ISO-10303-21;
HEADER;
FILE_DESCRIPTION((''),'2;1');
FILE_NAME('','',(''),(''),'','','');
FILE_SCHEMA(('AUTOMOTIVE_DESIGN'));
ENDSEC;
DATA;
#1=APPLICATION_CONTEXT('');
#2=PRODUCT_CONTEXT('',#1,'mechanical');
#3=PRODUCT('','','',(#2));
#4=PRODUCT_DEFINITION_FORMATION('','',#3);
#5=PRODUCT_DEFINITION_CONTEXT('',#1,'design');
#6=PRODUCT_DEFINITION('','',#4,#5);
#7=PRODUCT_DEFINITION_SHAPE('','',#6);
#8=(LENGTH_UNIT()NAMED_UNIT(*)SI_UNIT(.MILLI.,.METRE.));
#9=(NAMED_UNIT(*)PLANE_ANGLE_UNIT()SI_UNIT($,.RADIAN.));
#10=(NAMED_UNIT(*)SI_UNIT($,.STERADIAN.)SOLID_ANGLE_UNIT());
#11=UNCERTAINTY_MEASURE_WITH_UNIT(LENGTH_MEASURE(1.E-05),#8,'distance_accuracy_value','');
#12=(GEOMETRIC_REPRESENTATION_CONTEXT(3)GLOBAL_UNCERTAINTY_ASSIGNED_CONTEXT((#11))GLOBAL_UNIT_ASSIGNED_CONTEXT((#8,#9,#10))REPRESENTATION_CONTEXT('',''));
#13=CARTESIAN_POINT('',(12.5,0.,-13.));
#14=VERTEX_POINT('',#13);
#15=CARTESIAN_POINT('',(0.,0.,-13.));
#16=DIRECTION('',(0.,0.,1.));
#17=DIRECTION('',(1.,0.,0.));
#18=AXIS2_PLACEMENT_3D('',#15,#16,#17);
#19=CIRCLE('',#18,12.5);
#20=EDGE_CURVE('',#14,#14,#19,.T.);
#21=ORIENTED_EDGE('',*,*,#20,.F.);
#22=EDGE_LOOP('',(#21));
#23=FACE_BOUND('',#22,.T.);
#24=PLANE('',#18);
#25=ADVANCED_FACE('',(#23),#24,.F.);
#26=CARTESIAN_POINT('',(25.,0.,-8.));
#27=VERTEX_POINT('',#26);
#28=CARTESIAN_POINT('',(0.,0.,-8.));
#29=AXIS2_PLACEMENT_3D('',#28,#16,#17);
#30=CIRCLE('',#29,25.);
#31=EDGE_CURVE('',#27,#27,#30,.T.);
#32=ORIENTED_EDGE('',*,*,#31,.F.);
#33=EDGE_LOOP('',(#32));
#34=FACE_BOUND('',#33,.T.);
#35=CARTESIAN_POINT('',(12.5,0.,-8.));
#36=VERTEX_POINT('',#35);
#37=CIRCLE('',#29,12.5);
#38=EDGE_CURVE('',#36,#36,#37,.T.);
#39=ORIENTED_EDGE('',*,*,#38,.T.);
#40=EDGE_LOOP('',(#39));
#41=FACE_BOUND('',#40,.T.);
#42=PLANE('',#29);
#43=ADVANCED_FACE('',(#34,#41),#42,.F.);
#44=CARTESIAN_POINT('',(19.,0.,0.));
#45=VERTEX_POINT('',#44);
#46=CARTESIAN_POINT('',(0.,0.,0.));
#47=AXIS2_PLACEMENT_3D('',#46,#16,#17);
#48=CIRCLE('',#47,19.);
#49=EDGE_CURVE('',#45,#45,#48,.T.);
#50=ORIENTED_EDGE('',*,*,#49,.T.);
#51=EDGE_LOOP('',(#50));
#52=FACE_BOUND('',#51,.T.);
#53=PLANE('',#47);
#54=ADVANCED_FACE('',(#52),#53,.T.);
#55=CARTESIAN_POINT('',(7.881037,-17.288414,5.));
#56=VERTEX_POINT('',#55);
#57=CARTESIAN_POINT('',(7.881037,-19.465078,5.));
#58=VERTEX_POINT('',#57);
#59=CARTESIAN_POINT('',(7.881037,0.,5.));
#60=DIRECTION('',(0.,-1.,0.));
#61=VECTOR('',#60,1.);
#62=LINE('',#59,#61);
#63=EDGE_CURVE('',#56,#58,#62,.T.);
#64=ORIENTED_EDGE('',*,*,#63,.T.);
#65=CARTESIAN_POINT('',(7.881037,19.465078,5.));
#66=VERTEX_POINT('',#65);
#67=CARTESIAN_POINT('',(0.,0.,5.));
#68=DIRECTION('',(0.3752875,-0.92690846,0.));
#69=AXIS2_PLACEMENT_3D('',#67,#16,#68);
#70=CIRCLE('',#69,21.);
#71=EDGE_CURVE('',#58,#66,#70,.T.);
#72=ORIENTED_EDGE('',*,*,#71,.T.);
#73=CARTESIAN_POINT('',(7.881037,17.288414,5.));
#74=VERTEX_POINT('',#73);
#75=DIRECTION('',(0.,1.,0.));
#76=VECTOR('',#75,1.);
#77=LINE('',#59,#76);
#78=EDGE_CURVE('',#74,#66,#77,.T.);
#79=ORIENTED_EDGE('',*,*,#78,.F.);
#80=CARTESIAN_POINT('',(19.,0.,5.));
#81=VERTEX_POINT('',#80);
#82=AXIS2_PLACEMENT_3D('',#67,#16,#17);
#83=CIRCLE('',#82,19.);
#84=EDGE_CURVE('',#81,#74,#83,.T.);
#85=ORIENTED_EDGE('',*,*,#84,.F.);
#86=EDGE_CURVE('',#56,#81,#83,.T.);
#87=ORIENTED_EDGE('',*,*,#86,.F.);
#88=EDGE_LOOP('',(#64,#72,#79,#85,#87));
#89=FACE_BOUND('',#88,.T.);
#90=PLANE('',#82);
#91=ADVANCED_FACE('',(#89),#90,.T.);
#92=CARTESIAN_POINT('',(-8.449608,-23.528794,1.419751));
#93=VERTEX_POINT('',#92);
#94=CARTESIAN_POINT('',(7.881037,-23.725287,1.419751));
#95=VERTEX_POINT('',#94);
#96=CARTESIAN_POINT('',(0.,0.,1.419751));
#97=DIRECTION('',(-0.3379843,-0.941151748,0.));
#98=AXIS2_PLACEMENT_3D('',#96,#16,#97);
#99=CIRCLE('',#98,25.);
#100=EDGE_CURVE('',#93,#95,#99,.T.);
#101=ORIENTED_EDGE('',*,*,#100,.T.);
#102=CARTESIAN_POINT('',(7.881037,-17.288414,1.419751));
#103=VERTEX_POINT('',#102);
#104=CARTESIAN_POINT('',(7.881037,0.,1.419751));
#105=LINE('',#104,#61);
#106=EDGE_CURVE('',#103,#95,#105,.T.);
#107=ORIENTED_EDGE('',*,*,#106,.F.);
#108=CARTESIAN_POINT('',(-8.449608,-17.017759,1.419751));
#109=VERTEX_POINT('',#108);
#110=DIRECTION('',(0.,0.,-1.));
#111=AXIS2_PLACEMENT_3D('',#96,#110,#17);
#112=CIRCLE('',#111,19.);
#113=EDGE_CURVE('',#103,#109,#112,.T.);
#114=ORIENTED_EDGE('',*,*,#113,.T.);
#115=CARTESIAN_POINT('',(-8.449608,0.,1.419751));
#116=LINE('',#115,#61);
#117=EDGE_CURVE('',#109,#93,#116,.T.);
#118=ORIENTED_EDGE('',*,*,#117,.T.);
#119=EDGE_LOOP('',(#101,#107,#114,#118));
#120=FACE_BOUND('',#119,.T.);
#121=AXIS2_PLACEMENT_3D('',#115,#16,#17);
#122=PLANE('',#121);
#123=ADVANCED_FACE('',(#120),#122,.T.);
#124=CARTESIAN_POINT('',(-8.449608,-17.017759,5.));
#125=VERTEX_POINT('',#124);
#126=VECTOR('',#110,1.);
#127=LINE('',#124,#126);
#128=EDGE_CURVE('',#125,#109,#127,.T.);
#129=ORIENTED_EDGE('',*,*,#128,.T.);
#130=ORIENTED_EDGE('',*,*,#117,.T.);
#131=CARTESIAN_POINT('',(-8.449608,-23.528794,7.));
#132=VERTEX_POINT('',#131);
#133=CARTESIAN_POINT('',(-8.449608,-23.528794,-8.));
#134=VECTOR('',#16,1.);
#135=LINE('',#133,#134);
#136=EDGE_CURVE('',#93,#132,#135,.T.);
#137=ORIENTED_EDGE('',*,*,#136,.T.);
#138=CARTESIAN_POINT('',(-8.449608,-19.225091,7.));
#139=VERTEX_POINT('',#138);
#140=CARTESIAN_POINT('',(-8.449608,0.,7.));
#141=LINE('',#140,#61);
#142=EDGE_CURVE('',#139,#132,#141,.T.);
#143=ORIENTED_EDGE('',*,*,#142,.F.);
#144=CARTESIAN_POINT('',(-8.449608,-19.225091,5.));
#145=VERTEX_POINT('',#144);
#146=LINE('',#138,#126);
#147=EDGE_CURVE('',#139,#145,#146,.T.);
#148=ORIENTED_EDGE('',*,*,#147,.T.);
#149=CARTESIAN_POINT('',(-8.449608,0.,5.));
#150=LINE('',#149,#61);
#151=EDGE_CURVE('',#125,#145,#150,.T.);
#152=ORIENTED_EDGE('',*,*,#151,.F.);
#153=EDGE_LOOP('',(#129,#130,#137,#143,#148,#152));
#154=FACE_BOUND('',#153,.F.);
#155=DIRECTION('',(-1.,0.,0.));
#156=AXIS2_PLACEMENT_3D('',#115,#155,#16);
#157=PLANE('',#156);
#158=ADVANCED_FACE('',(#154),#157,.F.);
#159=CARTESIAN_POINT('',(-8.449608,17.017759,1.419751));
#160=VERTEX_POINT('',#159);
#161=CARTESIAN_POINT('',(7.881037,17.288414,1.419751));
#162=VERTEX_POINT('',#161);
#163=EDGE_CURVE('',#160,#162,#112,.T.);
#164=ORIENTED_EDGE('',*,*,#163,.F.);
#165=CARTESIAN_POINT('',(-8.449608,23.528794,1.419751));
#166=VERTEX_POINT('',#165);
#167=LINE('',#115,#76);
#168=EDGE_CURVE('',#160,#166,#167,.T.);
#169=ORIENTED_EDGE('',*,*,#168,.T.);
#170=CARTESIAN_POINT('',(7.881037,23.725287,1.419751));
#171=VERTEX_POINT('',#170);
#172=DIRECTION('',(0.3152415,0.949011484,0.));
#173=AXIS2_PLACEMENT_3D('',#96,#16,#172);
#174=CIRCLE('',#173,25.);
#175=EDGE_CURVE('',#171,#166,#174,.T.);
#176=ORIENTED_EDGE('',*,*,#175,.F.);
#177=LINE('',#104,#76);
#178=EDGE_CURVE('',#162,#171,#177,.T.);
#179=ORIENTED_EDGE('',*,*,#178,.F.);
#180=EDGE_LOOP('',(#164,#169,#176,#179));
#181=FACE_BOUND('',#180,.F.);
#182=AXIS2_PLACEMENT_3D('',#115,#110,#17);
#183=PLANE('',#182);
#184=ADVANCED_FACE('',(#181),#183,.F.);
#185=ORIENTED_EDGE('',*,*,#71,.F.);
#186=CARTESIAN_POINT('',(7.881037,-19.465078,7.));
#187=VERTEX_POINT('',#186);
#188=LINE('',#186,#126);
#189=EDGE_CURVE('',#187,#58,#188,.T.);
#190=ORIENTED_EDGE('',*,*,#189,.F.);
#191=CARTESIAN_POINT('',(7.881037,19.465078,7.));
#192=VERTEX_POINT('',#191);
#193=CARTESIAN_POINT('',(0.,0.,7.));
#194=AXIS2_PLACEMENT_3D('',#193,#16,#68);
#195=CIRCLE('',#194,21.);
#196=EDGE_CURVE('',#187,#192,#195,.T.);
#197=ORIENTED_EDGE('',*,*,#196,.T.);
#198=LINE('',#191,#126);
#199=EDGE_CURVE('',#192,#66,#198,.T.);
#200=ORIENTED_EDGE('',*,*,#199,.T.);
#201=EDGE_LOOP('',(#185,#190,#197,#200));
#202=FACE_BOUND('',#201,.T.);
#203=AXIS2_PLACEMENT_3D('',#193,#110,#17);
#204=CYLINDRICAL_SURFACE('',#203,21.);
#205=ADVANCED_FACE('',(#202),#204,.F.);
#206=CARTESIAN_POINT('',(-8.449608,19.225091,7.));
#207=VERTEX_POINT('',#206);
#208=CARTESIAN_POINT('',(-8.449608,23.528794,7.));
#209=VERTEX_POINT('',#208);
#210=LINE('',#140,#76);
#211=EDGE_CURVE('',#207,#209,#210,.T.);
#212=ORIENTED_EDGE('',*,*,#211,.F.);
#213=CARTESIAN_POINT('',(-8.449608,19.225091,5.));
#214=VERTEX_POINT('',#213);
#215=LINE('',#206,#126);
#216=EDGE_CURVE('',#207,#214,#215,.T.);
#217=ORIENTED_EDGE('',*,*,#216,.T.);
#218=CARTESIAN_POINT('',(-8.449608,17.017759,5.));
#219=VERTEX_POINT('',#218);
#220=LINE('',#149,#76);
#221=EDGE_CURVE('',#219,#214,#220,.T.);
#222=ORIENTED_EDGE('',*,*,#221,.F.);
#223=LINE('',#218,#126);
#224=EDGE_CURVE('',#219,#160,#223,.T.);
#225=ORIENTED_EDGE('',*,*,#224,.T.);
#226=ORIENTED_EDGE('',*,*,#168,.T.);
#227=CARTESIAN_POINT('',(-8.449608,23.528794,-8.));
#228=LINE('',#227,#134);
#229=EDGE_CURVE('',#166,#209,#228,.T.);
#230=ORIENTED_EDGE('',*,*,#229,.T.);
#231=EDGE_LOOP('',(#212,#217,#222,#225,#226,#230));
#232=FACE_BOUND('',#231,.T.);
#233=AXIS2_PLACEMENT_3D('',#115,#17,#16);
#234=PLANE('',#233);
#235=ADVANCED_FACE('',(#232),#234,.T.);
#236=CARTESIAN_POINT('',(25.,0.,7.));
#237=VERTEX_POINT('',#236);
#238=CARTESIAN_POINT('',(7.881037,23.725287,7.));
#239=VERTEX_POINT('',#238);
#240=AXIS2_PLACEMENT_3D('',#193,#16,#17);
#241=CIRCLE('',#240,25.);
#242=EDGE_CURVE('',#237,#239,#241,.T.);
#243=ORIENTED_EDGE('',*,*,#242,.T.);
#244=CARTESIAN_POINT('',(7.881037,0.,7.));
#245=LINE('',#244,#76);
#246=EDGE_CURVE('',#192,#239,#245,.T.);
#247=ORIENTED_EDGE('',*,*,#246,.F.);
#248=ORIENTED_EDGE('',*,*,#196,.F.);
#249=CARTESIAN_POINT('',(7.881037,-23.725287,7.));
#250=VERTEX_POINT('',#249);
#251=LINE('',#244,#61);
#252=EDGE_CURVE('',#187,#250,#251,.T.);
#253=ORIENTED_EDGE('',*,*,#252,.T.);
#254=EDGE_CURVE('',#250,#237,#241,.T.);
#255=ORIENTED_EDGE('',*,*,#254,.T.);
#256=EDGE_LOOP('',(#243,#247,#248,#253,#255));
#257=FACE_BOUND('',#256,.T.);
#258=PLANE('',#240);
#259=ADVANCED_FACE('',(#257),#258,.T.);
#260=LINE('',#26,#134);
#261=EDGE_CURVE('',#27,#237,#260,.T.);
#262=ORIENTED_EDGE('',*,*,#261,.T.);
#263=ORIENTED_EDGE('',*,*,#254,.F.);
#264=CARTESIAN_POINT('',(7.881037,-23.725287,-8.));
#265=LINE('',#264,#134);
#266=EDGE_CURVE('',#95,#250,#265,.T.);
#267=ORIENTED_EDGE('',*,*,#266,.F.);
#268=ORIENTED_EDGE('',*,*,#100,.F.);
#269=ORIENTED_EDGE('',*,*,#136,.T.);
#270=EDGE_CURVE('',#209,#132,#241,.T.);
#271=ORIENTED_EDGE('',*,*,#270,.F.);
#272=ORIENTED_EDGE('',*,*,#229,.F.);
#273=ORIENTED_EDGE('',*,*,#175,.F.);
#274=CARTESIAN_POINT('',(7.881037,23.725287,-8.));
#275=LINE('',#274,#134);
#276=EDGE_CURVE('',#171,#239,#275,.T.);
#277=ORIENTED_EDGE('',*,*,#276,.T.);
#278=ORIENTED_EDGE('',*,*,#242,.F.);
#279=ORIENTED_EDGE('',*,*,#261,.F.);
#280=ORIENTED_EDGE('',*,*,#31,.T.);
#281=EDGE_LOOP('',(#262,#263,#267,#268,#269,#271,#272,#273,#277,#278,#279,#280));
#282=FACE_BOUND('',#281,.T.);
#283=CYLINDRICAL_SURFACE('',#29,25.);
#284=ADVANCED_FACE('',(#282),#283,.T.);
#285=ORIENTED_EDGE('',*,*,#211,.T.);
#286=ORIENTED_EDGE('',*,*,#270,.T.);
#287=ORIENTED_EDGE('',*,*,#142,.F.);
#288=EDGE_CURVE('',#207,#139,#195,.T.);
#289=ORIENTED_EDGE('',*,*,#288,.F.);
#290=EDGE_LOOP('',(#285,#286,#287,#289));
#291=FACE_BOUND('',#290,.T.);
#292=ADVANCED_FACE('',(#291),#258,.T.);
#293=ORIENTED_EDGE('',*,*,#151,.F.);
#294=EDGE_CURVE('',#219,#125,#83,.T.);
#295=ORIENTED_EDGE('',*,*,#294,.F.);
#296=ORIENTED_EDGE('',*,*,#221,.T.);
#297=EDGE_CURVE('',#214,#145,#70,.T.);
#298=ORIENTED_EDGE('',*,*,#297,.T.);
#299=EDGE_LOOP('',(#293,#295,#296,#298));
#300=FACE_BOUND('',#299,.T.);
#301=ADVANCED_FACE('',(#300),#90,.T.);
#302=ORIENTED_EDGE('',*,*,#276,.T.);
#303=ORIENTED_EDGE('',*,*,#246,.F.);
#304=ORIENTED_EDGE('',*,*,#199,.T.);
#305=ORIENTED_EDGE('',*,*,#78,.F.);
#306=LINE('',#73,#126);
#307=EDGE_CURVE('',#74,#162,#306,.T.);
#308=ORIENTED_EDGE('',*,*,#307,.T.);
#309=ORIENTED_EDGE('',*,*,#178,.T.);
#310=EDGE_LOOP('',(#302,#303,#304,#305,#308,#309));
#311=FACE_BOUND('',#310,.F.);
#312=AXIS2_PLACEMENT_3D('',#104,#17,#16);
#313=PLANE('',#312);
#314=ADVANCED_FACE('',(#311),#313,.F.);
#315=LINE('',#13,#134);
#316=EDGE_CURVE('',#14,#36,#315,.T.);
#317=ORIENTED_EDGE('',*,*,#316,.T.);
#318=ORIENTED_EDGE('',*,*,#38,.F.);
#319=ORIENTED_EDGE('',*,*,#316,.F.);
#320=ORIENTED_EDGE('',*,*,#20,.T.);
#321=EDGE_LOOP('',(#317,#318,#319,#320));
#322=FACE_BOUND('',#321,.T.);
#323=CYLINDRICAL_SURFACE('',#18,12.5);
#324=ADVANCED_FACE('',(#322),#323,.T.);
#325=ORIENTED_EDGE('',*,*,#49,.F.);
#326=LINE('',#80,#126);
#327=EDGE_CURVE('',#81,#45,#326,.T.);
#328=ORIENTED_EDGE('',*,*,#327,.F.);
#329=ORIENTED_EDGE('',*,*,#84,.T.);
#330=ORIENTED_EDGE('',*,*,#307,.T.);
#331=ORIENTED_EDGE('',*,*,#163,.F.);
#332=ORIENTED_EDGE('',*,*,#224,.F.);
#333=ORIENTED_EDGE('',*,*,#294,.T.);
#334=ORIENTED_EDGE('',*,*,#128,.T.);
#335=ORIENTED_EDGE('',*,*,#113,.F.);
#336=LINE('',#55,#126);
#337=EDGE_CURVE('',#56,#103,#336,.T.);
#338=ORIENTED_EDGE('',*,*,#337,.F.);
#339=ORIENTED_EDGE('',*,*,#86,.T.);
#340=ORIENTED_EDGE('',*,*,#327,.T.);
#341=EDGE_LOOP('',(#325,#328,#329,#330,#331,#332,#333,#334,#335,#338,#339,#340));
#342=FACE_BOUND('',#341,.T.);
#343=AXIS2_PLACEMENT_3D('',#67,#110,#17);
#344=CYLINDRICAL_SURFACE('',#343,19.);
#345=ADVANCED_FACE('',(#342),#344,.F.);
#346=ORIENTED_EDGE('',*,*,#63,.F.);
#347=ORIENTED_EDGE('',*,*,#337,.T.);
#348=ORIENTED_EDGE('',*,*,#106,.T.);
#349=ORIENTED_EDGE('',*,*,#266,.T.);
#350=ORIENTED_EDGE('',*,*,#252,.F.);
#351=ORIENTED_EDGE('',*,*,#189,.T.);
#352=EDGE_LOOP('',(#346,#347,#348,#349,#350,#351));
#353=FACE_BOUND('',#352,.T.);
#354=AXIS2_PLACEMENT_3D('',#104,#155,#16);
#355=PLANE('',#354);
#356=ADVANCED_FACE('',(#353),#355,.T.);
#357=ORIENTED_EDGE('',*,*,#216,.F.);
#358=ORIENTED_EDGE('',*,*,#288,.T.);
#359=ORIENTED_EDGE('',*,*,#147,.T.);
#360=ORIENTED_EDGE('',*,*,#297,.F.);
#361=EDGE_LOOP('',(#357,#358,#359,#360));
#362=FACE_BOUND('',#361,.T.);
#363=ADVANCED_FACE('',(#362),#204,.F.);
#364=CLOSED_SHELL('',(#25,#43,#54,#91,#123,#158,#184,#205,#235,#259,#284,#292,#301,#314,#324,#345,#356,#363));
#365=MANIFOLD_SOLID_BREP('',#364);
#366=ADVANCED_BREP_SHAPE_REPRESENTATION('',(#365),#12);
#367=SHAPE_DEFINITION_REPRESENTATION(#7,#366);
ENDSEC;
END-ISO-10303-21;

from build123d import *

# Parameters (mm, degrees)
F2_W          = 16.330645
F2_H          = 6.940524
F3_DEPTH      = 25
F3_DEPTH_BACK = 25


with BuildPart() as f1:
    # F0 (on Front) → F1 (revolve)
    with BuildSketch(Plane.XZ):
        Polygon((19, 0), (0, 0), (0, -13), (12.5, -13), (12.5, -8), (25, -8), (25, 7), (21, 7), (21, 5), (19, 5), align=None)
    revolve(axis=Axis((0, 0, -6.5), (0, 0, 1)))

    # F2 (on Front) → F3 (cut, two sides)
    with BuildSketch(Plane.XZ) as f3_sk:
        with Locations((-0.284285, 4.890013)):
            Rectangle(F2_W, F2_H)
    extrude(amount=F3_DEPTH, mode=Mode.SUBTRACT)
    extrude(f3_sk.sketch, amount=-F3_DEPTH_BACK, mode=Mode.SUBTRACT)


solid = f1.part
